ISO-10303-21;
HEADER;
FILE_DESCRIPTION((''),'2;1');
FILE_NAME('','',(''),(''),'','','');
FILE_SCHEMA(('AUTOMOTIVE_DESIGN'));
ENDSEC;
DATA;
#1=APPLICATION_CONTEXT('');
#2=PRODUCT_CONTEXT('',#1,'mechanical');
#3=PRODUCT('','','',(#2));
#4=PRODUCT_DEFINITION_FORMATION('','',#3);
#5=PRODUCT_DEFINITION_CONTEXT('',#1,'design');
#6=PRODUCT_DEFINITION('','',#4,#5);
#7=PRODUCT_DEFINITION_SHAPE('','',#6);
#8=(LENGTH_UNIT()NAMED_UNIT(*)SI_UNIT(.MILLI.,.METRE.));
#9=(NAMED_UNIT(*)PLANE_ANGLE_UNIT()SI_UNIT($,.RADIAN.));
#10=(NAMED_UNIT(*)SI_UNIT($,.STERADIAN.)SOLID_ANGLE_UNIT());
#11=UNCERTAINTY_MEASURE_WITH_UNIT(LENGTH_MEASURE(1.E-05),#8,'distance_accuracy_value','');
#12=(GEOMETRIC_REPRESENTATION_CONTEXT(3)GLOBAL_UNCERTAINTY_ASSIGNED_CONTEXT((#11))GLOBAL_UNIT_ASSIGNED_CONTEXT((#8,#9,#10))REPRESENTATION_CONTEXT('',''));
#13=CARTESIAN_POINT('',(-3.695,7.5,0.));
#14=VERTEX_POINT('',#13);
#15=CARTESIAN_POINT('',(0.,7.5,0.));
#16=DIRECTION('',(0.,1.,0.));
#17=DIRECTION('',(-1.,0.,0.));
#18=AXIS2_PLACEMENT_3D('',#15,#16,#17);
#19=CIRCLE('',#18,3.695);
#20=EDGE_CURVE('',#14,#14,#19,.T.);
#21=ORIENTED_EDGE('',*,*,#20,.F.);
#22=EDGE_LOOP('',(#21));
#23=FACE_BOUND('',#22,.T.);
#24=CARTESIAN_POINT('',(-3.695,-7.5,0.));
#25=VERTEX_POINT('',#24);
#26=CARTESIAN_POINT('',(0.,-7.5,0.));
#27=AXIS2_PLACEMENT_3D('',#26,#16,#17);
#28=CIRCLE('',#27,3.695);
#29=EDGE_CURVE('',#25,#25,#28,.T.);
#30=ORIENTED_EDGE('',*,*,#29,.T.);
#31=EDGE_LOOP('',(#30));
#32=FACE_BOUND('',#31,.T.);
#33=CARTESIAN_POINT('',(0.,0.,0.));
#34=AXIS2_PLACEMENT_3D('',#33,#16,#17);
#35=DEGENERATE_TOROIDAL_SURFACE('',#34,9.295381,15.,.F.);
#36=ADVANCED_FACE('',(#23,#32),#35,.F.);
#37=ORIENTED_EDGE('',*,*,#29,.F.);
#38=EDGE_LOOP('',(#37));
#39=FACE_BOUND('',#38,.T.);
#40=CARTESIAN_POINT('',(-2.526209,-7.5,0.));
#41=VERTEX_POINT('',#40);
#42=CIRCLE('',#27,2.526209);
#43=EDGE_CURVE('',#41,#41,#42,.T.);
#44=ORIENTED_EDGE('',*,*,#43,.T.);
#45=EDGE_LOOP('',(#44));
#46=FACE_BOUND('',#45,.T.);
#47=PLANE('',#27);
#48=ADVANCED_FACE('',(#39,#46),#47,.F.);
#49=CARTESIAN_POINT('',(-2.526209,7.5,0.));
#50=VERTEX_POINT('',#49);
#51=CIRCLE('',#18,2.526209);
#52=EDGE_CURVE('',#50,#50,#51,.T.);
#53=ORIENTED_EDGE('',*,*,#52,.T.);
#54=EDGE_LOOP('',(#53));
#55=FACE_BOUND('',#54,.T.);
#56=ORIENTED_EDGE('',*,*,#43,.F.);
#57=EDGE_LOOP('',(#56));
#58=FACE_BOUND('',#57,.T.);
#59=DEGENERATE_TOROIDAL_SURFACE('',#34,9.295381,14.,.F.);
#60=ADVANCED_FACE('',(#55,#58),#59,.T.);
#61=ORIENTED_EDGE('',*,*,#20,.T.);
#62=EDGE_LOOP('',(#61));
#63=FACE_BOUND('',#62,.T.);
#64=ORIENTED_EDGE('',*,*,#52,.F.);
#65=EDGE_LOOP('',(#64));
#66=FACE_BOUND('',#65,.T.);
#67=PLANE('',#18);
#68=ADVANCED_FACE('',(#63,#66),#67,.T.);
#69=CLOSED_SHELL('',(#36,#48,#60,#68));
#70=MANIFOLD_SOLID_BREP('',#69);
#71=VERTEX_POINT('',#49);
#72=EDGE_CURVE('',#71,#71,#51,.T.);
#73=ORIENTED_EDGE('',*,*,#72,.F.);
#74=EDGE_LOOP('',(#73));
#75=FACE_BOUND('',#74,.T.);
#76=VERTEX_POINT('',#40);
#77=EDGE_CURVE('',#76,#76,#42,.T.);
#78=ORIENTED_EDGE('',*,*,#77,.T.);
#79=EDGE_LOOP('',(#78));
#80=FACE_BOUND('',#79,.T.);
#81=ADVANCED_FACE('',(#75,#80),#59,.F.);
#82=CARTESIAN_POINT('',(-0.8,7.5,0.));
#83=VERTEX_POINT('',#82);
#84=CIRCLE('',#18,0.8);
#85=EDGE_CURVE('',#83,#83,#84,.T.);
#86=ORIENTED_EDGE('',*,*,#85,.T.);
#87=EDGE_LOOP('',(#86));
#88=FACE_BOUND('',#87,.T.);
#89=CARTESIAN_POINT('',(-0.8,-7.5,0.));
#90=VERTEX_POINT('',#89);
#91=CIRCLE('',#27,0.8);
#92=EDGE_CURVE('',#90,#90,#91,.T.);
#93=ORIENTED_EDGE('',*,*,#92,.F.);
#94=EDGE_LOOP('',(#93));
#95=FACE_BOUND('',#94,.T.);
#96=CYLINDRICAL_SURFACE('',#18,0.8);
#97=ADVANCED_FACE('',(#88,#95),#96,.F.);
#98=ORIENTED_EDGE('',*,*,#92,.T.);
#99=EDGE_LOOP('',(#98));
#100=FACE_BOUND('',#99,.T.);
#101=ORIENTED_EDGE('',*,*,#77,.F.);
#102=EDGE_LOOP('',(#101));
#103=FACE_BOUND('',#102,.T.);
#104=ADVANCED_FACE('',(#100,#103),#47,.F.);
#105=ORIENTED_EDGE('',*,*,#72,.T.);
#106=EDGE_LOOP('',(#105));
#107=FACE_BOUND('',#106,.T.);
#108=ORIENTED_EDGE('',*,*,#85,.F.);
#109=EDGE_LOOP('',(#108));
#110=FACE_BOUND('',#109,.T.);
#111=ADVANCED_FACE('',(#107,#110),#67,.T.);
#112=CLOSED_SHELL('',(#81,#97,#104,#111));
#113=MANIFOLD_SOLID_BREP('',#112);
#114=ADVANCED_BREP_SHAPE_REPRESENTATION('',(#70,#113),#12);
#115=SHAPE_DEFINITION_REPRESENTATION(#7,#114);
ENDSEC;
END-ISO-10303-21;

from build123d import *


with BuildPart() as part:
    # Sketch1 → Interior (revolve)
    with BuildSketch(Plane.XY):
        with BuildLine():
            Line((-2.526209361, -7.5), (-0.8, -7.5))
            Line((-0.8, -7.5), (-0.8, 7.5))
            Line((-0.8, 7.5), (-2.526209361, 7.5))
            ThreePointArc((-2.526209361, 7.5), (-4.704618943, 0), (-2.526209361, -7.5))
        make_face()
    revolve(axis=Axis((0, 7.5, 0), (0, -1, 0)))


with BuildPart() as body_2:
    # Sketch1<3> → Exterior (revolve)
    with BuildSketch(Plane.XY):
        with BuildLine():
            Line((-3.695, -7.5), (-2.526209361, -7.5))
            ThreePointArc((-2.526209361, -7.5), (-4.704618943, 0), (-2.526209361, 7.5))
            Line((-2.526209361, 7.5), (-3.695, 7.5))
            ThreePointArc((-3.695, 7.5), (-5.704618943, 0), (-3.695, -7.5))
        make_face()
    revolve(axis=Axis((0, 7.5, 0), (0, -1, 0)))


solid = Compound([part.part, body_2.part])
